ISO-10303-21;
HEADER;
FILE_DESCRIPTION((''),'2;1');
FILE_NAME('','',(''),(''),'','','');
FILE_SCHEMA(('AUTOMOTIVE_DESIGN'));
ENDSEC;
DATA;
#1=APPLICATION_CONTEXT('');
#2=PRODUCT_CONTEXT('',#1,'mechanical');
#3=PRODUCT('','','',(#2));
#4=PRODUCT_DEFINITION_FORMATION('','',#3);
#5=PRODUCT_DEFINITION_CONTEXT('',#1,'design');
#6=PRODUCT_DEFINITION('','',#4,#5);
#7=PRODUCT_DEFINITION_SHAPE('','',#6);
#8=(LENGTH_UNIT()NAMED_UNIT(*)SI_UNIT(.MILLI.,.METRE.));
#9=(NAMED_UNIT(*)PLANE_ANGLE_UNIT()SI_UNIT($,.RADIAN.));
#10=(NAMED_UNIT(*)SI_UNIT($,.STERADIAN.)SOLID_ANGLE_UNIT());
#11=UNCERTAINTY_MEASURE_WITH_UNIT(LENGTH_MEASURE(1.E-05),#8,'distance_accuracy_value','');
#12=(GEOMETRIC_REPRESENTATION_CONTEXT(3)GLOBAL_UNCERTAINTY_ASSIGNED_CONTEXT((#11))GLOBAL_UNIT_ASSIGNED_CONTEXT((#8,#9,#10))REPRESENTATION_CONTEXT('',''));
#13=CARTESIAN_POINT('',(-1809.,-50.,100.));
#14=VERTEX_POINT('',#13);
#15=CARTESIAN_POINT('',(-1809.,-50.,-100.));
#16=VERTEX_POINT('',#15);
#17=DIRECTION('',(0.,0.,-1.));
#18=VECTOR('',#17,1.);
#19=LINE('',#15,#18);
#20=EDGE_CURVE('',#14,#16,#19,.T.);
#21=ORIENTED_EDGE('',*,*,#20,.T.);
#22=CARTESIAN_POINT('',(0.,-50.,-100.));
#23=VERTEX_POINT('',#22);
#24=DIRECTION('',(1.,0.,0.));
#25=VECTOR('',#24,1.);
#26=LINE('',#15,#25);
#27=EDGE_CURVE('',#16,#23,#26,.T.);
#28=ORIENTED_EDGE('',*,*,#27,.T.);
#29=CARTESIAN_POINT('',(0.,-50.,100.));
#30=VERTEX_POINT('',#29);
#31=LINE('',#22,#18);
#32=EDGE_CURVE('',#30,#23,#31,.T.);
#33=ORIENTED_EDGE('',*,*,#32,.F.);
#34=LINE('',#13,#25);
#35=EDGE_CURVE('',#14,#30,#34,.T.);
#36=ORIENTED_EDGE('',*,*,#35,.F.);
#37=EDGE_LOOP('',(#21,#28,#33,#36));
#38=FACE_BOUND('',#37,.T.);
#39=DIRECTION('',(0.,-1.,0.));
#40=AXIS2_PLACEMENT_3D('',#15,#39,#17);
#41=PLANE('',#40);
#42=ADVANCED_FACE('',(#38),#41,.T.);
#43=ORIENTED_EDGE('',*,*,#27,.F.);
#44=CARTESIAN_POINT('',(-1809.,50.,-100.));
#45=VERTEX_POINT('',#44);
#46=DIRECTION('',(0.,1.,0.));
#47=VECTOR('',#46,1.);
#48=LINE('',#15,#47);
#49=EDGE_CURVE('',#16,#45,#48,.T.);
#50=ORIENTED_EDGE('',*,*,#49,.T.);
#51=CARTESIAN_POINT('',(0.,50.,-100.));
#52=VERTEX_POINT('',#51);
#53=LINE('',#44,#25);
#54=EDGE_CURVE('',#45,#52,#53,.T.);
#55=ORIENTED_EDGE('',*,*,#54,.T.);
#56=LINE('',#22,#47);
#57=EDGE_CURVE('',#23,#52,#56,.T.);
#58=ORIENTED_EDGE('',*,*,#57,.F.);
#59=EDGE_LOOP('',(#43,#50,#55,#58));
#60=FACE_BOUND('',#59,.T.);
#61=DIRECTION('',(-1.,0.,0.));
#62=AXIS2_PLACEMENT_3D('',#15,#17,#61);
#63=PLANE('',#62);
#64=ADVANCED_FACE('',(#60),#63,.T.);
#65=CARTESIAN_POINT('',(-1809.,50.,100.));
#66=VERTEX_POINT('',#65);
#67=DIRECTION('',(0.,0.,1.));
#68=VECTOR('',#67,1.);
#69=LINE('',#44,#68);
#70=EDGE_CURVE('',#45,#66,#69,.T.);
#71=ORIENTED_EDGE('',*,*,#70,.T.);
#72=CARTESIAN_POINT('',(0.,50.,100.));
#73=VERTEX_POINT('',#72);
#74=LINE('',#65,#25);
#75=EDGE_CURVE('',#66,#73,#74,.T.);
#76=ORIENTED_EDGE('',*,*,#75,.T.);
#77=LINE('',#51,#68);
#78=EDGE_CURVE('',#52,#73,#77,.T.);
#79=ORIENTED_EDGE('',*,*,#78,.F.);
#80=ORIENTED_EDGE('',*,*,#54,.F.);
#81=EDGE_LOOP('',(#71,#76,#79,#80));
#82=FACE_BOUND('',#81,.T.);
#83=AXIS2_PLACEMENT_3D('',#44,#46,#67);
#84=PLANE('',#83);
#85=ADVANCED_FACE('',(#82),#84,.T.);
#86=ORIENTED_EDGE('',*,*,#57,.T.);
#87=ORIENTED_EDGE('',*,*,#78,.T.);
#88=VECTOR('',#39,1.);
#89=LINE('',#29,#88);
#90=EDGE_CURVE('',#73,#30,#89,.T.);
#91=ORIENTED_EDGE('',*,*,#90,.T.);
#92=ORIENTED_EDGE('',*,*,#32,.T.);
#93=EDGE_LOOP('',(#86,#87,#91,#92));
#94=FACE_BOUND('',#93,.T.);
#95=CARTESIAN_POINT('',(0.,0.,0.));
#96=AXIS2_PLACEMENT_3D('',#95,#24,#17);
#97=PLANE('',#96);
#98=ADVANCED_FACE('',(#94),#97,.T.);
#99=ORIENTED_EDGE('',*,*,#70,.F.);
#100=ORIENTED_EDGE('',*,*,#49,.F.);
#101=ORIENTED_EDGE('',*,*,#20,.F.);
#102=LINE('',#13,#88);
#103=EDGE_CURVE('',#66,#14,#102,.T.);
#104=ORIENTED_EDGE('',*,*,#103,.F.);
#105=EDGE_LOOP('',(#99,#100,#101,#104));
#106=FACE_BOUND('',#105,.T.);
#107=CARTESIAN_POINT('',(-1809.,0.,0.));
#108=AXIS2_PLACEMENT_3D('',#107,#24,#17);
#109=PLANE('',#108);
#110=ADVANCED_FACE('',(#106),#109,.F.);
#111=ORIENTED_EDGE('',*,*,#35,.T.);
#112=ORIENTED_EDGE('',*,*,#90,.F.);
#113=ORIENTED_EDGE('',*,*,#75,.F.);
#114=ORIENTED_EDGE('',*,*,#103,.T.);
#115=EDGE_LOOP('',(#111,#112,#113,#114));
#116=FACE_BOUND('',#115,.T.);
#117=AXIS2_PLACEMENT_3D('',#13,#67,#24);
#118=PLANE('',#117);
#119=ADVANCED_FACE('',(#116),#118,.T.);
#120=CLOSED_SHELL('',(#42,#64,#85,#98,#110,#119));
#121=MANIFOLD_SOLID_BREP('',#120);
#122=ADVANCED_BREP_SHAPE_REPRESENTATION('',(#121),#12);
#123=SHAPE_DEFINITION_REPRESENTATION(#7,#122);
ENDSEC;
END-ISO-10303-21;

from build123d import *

# Parameters (mm, degrees)
SKETCH_1_W      = 200
SKETCH_1_H      = 100
EXTRUDE_1_DEPTH = 1809


with BuildPart() as part:
    # 草图1 → 凸台-拉伸1 (new body)
    with BuildSketch(Plane(origin=(0, 0, 0), x_dir=(0, 0, -1), z_dir=(1, 0, 0))):
        Rectangle(SKETCH_1_W, SKETCH_1_H)
    extrude(amount=-EXTRUDE_1_DEPTH)


solid = part.part
